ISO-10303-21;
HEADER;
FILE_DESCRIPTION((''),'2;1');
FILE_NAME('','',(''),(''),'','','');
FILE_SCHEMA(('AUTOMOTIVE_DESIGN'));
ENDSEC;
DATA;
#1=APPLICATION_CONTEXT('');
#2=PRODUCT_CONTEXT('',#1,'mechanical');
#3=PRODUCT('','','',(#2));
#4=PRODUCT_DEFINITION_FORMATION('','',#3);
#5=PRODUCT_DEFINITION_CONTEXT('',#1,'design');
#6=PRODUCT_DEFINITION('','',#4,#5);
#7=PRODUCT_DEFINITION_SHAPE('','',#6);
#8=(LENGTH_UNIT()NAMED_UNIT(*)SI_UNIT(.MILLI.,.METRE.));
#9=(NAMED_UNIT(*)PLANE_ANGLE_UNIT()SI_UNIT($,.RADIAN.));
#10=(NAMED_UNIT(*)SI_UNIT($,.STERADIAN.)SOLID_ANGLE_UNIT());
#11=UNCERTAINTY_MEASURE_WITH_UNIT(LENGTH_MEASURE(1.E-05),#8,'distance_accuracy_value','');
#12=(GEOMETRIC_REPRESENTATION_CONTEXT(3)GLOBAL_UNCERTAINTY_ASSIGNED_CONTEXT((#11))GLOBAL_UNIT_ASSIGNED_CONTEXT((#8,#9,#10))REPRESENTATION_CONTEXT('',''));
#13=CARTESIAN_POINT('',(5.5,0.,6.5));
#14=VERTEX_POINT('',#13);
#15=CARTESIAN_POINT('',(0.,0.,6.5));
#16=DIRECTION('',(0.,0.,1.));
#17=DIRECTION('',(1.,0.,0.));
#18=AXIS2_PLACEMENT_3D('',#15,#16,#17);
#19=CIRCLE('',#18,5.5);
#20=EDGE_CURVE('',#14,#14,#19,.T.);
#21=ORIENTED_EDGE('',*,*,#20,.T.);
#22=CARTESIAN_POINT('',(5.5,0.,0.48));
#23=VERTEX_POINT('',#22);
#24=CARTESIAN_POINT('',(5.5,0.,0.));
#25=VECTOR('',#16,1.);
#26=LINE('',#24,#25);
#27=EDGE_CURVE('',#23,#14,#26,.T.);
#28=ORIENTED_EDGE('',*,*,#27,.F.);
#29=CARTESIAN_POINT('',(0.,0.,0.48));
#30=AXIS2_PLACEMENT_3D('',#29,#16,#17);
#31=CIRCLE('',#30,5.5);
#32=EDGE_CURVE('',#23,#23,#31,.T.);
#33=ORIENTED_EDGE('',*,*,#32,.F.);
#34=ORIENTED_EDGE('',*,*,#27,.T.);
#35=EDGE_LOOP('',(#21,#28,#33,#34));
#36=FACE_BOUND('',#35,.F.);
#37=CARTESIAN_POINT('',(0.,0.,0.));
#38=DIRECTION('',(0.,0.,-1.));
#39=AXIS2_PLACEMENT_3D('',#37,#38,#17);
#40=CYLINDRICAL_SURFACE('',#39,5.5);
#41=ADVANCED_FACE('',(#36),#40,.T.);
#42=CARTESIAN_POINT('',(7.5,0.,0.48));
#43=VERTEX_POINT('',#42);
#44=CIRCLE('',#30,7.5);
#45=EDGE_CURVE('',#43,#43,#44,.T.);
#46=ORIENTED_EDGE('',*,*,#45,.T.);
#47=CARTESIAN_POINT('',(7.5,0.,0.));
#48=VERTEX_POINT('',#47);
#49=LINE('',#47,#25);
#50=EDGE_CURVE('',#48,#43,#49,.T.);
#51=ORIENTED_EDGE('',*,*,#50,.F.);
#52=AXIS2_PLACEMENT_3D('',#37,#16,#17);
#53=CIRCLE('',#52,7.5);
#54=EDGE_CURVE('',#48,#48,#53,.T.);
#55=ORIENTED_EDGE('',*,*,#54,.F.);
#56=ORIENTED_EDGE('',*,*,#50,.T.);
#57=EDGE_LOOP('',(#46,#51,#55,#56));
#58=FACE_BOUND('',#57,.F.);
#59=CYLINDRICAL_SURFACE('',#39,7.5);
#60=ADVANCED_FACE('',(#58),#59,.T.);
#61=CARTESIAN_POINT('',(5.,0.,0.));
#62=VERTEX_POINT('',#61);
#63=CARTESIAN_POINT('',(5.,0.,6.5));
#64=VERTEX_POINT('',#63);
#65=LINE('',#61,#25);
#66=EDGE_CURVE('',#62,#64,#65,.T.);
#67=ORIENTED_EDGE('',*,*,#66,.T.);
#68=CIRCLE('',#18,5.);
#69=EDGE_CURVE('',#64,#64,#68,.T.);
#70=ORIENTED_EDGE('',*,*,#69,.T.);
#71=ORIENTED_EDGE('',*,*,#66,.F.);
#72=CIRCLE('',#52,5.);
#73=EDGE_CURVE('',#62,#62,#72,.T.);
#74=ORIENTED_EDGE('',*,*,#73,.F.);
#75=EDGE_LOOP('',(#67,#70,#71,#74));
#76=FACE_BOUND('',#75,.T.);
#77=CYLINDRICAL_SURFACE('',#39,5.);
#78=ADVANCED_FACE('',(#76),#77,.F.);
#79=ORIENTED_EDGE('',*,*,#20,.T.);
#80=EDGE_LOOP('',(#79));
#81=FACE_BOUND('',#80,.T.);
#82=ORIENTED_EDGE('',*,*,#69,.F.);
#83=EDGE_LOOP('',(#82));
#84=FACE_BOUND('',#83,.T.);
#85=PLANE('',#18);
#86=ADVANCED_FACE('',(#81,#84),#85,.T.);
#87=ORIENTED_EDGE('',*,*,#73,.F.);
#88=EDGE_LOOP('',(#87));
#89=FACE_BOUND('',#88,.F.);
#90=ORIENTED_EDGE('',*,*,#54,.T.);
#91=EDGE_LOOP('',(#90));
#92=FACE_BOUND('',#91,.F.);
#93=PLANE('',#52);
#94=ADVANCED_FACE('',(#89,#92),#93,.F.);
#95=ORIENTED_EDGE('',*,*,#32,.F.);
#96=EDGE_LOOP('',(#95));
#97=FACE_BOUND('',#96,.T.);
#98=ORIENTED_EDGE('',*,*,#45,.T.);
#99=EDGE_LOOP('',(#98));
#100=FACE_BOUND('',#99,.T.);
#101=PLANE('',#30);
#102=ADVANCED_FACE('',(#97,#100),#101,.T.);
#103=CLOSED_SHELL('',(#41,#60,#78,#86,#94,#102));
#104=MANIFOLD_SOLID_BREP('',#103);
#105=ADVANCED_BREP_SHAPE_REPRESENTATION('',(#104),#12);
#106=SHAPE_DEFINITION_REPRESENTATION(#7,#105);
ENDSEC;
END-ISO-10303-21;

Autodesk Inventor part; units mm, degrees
ref_plane "YZ Plane" through (0, 0, 0) normal (1, 0, 0) x (0, 1, 0)
ref_plane "XZ Plane" through (0, 0, 0) normal (0, 1, 0) x (-1, 0, 0)
ref_plane "XY Plane" through (0, 0, 0) normal (0, 0, 1) x (1, 0, 0)
sketch "スケッチ1" plane through (0, 0, 0) normal (0, 0, 1) x (1, 0, 0)
  circle A0 centre (0, 0) radius 5
  circle A1 centre (0, 0) radius 5.5
  circle A2 centre (0, 0) radius 7.5
  dimension "d0" = 10
  dimension "d1" = 11
  dimension "d4" = 15
extrude "押し出し1" add sketch "スケッチ1" along normal blind 6.5 contours A1
extrude "押し出し2" add sketch "スケッチ1" along normal blind 0.48 contours A2
properties part number "ドライメッシュw6.5f10-11a" material "真鍮、ソフト イエロー"
